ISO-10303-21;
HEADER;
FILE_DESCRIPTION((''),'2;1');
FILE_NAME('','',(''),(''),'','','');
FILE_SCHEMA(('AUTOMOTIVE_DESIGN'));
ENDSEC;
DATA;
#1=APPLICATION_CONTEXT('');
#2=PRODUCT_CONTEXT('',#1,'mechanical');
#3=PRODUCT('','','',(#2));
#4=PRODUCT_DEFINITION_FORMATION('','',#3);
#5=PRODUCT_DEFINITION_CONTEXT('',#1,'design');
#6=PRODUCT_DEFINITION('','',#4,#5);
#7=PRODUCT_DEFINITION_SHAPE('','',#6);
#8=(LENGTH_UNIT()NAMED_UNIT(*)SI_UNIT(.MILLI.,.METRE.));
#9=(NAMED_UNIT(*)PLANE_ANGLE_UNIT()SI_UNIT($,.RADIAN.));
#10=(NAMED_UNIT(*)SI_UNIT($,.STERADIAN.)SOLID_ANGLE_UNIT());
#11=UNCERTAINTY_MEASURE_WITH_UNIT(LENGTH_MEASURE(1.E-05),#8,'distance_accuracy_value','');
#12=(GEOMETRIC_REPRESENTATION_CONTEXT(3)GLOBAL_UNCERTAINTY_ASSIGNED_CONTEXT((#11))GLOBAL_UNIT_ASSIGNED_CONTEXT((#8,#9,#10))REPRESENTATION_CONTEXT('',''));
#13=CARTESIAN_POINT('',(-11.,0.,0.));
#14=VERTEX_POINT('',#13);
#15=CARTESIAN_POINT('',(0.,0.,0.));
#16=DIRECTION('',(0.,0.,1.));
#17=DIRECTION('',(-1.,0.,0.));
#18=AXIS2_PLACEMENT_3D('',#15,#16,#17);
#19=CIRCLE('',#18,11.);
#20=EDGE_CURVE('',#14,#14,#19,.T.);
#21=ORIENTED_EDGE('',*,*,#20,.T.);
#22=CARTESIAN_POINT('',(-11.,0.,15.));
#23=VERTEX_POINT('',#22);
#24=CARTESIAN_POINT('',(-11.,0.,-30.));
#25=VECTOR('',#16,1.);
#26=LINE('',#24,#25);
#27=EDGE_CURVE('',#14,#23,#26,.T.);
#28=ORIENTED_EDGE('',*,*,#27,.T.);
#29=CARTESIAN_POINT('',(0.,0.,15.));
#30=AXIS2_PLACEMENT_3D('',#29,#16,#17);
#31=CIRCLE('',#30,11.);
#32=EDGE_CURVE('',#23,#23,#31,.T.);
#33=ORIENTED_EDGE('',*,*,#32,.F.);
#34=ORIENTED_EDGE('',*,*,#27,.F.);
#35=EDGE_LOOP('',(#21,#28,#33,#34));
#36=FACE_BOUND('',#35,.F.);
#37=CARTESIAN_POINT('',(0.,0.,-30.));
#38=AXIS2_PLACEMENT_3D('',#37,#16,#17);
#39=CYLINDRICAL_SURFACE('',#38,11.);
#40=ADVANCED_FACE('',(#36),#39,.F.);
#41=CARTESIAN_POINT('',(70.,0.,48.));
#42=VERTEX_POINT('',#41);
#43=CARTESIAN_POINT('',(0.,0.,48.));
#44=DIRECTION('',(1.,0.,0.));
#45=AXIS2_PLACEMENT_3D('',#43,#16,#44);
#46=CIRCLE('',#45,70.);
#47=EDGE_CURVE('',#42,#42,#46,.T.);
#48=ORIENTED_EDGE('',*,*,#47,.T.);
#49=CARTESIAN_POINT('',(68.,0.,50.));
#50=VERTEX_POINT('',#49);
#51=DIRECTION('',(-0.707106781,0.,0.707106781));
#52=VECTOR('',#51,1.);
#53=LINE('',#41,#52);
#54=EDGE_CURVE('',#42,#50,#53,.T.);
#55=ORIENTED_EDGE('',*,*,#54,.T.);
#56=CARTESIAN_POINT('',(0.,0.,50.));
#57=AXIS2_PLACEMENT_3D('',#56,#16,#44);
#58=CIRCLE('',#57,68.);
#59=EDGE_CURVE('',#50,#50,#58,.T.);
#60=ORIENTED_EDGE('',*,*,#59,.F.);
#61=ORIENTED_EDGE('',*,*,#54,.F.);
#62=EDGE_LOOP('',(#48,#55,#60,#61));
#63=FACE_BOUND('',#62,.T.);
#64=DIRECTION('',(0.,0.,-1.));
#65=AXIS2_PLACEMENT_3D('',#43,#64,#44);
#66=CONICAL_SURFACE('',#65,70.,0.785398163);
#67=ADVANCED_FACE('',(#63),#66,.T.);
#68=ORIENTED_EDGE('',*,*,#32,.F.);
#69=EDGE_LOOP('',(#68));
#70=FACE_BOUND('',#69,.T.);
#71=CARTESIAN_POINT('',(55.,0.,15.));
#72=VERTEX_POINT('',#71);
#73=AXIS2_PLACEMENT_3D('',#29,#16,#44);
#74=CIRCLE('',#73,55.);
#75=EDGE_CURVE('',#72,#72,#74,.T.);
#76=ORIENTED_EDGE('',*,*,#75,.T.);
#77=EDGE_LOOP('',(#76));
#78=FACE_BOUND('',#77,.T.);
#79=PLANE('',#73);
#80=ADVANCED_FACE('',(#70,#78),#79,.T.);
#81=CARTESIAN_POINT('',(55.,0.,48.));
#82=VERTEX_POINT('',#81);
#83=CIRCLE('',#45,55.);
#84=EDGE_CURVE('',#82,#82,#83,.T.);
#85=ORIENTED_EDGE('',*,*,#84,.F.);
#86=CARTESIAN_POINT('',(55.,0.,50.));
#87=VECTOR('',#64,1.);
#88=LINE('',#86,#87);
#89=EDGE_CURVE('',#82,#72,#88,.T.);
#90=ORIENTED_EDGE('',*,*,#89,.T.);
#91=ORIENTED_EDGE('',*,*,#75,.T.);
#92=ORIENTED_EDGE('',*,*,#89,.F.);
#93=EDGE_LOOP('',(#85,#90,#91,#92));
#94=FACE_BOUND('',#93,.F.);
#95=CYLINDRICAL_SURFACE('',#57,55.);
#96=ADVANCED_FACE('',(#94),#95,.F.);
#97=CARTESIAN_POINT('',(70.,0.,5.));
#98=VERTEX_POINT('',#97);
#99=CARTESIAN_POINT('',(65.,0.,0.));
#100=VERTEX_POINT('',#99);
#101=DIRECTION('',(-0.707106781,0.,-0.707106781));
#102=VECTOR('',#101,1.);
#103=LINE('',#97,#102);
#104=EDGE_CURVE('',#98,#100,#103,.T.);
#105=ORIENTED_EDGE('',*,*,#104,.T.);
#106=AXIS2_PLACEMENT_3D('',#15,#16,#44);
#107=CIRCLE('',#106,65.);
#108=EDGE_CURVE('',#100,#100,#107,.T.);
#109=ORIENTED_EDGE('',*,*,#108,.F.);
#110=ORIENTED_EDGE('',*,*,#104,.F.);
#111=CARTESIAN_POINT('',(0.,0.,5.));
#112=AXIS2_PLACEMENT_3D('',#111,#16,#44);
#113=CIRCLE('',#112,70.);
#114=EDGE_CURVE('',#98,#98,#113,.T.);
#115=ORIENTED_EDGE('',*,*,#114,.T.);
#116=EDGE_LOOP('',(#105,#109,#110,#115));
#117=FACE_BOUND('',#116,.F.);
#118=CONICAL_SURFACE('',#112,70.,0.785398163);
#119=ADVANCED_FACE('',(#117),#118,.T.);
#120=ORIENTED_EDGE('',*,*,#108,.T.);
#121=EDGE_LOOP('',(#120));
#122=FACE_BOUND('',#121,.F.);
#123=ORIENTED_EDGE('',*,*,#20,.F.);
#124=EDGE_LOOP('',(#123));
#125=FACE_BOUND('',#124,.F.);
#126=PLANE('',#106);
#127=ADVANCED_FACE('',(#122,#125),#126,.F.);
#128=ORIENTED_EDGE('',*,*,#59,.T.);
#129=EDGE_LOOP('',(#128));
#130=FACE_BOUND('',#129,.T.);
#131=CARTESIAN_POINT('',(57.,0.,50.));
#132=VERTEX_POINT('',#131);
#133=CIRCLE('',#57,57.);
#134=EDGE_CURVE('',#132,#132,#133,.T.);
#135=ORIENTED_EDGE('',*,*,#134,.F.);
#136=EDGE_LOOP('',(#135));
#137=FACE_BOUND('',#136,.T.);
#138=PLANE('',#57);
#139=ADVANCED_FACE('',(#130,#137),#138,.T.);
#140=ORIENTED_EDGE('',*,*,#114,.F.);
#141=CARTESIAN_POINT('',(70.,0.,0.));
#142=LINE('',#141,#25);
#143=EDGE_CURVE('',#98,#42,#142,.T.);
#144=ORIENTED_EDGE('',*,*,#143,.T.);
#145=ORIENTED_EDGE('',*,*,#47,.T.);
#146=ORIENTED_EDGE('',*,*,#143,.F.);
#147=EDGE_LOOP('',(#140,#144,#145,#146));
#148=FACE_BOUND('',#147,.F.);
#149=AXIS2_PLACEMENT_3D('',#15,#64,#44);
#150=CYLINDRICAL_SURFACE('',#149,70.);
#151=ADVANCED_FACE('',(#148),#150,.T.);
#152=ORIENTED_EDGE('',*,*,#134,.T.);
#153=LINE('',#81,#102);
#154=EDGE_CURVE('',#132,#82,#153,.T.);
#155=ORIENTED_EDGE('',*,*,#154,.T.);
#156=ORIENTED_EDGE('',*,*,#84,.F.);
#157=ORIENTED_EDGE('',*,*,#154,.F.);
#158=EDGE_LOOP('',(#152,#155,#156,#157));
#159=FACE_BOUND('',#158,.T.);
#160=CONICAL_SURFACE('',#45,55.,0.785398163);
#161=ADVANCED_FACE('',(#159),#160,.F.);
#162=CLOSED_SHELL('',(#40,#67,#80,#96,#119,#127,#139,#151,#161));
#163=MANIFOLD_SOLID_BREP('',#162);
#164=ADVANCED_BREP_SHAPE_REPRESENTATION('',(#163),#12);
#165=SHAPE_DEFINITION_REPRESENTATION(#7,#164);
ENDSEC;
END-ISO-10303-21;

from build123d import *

# Parameters (mm, degrees)
F0_R     = 70
F1_DEPTH = 50
F2_R     = 55
F3_DEPTH = 35
F4_SIZE  = 5
F5_SIZE  = 2
F7_D     = 22
F7_DEPTH = 30
F7_TIP   = 6.6094668093


with BuildPart() as f1:
    # F0 (on Top) → F1 (new body)
    with BuildSketch(Plane.XY):
        Circle(F0_R)
    extrude(amount=F1_DEPTH)

    # F2 (on face) → F3 (cut)
    with BuildSketch(Plane.XY.offset(50)):
        Circle(F2_R)
    extrude(amount=-F3_DEPTH, mode=Mode.SUBTRACT)

    # F4
    f4_edges = [f1.edges().sort_by_distance(p)[0] for p in [
        (-70, 0, 0),
    ]]
    chamfer(f4_edges, length=F4_SIZE)

    # F5
    f5_edges = [f1.edges().sort_by_distance(p)[0] for p in [
        (-70, 0, 50),
        (-55, 0, 50),
    ]]
    chamfer(f5_edges, length=F5_SIZE)

    # F7
    with Locations(Plane(origin=(0, 0, 0), x_dir=(1, 0, 0), z_dir=(0, 0, -1))):
        with Locations((0, 0)):
            Hole(F7_D / 2, depth=F7_DEPTH)
            with Locations((0, 0, -(F7_DEPTH + F7_TIP / 2))):  # 118° drill point
                Cone(0, F7_D / 2, F7_TIP, mode=Mode.SUBTRACT)


solid = f1.part
